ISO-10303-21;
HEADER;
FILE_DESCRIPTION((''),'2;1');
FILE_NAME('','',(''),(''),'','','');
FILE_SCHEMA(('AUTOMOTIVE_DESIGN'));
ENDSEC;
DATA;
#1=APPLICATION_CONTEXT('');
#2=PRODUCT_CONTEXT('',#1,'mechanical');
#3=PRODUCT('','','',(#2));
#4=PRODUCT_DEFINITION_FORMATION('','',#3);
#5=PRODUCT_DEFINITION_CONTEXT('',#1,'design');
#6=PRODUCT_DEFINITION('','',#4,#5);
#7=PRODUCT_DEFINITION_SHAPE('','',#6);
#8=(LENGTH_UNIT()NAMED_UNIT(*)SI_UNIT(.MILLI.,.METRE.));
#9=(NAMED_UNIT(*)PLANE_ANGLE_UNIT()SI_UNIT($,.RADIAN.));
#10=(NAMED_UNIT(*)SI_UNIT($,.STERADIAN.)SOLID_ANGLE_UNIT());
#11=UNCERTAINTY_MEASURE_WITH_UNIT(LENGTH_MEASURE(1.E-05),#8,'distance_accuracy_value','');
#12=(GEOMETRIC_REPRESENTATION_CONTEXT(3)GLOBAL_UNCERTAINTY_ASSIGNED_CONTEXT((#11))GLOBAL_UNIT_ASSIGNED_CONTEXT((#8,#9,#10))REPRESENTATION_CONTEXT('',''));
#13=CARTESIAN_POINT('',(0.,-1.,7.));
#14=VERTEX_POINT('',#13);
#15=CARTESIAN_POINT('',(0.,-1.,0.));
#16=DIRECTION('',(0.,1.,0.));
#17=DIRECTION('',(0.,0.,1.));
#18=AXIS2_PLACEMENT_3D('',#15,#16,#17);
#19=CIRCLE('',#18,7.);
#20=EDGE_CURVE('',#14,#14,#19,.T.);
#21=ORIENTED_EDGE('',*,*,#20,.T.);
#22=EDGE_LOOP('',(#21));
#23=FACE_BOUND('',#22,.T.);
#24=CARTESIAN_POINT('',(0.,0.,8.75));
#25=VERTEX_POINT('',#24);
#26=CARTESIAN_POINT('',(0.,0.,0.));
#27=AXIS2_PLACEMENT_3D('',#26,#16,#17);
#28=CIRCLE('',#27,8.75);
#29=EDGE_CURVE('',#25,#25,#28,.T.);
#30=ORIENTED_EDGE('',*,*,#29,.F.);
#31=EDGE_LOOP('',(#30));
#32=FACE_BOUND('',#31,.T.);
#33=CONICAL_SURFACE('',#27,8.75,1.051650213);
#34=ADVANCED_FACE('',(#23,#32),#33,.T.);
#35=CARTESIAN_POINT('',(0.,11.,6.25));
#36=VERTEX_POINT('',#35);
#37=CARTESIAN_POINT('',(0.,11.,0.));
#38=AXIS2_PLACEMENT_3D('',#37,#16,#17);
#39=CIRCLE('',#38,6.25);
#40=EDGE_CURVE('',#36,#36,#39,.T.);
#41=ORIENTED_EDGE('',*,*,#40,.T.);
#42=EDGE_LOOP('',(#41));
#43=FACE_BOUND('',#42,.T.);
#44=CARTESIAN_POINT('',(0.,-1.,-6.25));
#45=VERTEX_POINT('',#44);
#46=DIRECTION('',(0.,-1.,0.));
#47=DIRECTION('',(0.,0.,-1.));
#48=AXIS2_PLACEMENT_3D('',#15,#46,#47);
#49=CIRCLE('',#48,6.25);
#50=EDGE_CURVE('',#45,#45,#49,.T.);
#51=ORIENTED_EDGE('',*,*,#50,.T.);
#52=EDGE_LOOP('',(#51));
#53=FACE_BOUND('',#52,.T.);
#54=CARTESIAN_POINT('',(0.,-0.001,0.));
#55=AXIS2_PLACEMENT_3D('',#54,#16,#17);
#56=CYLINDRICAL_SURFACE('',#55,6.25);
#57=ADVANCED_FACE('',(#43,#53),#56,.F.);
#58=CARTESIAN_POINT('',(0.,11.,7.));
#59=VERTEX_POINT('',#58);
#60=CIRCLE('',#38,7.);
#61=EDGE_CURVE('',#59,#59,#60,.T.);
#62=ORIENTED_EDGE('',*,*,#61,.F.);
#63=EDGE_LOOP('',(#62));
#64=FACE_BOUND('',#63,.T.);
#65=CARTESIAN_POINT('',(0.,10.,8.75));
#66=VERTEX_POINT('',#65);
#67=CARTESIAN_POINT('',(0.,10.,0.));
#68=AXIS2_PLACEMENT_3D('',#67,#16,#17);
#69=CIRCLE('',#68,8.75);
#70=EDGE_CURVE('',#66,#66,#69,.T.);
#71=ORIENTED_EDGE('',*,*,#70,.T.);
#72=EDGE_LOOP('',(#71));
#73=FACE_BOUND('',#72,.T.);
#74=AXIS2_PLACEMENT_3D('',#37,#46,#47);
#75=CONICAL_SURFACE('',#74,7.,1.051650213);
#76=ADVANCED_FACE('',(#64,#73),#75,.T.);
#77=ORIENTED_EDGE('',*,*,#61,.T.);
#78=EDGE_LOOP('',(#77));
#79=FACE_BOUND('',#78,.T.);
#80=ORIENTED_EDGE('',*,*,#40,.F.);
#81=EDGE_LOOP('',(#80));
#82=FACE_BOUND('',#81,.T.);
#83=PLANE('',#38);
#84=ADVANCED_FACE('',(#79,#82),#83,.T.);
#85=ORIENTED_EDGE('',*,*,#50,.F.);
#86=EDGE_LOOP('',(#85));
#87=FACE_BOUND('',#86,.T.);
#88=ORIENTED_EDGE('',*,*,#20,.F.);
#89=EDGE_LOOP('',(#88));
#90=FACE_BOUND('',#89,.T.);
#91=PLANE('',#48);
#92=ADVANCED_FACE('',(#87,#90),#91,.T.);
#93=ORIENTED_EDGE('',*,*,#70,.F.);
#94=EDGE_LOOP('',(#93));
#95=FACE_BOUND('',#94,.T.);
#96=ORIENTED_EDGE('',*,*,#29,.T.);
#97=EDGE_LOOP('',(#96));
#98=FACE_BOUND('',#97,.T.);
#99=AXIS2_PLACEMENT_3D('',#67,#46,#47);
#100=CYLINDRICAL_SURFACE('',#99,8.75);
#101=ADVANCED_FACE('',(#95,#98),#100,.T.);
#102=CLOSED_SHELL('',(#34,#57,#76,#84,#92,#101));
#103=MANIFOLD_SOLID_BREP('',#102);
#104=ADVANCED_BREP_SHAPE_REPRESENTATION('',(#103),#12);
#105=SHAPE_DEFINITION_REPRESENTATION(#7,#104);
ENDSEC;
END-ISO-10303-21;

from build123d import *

# Parameters (mm, degrees)
SKETCH_1_R          = 8.75
EXTRUDE_1_DEPTH     = 10
CUT_EXTRUDE_1_REACH = 17.91
SKETCH_2_R          = 6.25
EXTRUDE_START       = 1
SKETCH_3_R          = 7
SKETCH_3_R_2        = 6.25
EXTRUDE_2_DEPTH     = 1
SKETCH_4_R          = 7
SKETCH_4_R_2        = 6.25
EXTRUDE_3_DEPTH     = 1


with BuildPart() as part:
    # 草图1 → 凸台-拉伸1 (new body)
    with BuildSketch(Plane(origin=(0, 0, 0), x_dir=(1, 0, 0), z_dir=(0, 1, 0))):
        with Locations(Location((0, 0, 0), (0, 0, 270))):
            Circle(SKETCH_1_R)
    extrude(amount=EXTRUDE_1_DEPTH)

    # 草图2 → 切除-拉伸1 (cut, up to next)
    with BuildSketch(Plane(origin=(0, 10, 0), x_dir=(1, 0, 0), z_dir=(0, 1, 0)), mode=Mode.PRIVATE) as cut_extrude_1_sk1:
        with Locations(Location((0, 0, 0), (0, 0, 270))):
            Circle(SKETCH_2_R)
    cut_extrude_1_tool1 = extrude(cut_extrude_1_sk1.sketch, amount=-CUT_EXTRUDE_1_REACH, mode=Mode.PRIVATE) & part.part
    add(cut_extrude_1_tool1.solids().sort_by_distance((0, 10, 0))[0], mode=Mode.SUBTRACT)

    # 草图3 → 凸台-拉伸2 (add)
    with BuildSketch(Plane(origin=(0, 10, 0), x_dir=(1, 0, 0), z_dir=(0, 1, 0)).offset(EXTRUDE_START)):
        with Locations(Location((0, 0, 0), (0, 0, 270))):
            Circle(SKETCH_3_R)
        with Locations(Location((0, 0, 0), (0, 0, 270))):
            Circle(SKETCH_3_R_2, mode=Mode.SUBTRACT)
    extrude(amount=-EXTRUDE_2_DEPTH)

    # 草图4 → 凸台-拉伸3 (add)
    with BuildSketch(Plane.XZ):
        with Locations(Location((0, 0, 0), (0, 0, 90))):
            Circle(SKETCH_4_R)
        with Locations(Location((0, 0, 0), (0, 0, 90))):
            Circle(SKETCH_4_R_2, mode=Mode.SUBTRACT)
    extrude(amount=EXTRUDE_3_DEPTH)

    # 草图5 → 旋转1 (revolve)
    with BuildSketch(Plane.XY, mode=Mode.PRIVATE) as revolve_1_sk:
        Polygon((-7, 11), (-8.75, 10), (-7, 10), align=None)
        Polygon((-8.75, 0), (-7, 0), (-7, -1), align=None)
    revolve(revolve_1_sk.sketch.rotate(Axis((0, 12.096395085, 0), (0, -1, 0)), 270), axis=Axis((0, 12.096395085, 0), (0, -1, 0)))


solid = part.part
